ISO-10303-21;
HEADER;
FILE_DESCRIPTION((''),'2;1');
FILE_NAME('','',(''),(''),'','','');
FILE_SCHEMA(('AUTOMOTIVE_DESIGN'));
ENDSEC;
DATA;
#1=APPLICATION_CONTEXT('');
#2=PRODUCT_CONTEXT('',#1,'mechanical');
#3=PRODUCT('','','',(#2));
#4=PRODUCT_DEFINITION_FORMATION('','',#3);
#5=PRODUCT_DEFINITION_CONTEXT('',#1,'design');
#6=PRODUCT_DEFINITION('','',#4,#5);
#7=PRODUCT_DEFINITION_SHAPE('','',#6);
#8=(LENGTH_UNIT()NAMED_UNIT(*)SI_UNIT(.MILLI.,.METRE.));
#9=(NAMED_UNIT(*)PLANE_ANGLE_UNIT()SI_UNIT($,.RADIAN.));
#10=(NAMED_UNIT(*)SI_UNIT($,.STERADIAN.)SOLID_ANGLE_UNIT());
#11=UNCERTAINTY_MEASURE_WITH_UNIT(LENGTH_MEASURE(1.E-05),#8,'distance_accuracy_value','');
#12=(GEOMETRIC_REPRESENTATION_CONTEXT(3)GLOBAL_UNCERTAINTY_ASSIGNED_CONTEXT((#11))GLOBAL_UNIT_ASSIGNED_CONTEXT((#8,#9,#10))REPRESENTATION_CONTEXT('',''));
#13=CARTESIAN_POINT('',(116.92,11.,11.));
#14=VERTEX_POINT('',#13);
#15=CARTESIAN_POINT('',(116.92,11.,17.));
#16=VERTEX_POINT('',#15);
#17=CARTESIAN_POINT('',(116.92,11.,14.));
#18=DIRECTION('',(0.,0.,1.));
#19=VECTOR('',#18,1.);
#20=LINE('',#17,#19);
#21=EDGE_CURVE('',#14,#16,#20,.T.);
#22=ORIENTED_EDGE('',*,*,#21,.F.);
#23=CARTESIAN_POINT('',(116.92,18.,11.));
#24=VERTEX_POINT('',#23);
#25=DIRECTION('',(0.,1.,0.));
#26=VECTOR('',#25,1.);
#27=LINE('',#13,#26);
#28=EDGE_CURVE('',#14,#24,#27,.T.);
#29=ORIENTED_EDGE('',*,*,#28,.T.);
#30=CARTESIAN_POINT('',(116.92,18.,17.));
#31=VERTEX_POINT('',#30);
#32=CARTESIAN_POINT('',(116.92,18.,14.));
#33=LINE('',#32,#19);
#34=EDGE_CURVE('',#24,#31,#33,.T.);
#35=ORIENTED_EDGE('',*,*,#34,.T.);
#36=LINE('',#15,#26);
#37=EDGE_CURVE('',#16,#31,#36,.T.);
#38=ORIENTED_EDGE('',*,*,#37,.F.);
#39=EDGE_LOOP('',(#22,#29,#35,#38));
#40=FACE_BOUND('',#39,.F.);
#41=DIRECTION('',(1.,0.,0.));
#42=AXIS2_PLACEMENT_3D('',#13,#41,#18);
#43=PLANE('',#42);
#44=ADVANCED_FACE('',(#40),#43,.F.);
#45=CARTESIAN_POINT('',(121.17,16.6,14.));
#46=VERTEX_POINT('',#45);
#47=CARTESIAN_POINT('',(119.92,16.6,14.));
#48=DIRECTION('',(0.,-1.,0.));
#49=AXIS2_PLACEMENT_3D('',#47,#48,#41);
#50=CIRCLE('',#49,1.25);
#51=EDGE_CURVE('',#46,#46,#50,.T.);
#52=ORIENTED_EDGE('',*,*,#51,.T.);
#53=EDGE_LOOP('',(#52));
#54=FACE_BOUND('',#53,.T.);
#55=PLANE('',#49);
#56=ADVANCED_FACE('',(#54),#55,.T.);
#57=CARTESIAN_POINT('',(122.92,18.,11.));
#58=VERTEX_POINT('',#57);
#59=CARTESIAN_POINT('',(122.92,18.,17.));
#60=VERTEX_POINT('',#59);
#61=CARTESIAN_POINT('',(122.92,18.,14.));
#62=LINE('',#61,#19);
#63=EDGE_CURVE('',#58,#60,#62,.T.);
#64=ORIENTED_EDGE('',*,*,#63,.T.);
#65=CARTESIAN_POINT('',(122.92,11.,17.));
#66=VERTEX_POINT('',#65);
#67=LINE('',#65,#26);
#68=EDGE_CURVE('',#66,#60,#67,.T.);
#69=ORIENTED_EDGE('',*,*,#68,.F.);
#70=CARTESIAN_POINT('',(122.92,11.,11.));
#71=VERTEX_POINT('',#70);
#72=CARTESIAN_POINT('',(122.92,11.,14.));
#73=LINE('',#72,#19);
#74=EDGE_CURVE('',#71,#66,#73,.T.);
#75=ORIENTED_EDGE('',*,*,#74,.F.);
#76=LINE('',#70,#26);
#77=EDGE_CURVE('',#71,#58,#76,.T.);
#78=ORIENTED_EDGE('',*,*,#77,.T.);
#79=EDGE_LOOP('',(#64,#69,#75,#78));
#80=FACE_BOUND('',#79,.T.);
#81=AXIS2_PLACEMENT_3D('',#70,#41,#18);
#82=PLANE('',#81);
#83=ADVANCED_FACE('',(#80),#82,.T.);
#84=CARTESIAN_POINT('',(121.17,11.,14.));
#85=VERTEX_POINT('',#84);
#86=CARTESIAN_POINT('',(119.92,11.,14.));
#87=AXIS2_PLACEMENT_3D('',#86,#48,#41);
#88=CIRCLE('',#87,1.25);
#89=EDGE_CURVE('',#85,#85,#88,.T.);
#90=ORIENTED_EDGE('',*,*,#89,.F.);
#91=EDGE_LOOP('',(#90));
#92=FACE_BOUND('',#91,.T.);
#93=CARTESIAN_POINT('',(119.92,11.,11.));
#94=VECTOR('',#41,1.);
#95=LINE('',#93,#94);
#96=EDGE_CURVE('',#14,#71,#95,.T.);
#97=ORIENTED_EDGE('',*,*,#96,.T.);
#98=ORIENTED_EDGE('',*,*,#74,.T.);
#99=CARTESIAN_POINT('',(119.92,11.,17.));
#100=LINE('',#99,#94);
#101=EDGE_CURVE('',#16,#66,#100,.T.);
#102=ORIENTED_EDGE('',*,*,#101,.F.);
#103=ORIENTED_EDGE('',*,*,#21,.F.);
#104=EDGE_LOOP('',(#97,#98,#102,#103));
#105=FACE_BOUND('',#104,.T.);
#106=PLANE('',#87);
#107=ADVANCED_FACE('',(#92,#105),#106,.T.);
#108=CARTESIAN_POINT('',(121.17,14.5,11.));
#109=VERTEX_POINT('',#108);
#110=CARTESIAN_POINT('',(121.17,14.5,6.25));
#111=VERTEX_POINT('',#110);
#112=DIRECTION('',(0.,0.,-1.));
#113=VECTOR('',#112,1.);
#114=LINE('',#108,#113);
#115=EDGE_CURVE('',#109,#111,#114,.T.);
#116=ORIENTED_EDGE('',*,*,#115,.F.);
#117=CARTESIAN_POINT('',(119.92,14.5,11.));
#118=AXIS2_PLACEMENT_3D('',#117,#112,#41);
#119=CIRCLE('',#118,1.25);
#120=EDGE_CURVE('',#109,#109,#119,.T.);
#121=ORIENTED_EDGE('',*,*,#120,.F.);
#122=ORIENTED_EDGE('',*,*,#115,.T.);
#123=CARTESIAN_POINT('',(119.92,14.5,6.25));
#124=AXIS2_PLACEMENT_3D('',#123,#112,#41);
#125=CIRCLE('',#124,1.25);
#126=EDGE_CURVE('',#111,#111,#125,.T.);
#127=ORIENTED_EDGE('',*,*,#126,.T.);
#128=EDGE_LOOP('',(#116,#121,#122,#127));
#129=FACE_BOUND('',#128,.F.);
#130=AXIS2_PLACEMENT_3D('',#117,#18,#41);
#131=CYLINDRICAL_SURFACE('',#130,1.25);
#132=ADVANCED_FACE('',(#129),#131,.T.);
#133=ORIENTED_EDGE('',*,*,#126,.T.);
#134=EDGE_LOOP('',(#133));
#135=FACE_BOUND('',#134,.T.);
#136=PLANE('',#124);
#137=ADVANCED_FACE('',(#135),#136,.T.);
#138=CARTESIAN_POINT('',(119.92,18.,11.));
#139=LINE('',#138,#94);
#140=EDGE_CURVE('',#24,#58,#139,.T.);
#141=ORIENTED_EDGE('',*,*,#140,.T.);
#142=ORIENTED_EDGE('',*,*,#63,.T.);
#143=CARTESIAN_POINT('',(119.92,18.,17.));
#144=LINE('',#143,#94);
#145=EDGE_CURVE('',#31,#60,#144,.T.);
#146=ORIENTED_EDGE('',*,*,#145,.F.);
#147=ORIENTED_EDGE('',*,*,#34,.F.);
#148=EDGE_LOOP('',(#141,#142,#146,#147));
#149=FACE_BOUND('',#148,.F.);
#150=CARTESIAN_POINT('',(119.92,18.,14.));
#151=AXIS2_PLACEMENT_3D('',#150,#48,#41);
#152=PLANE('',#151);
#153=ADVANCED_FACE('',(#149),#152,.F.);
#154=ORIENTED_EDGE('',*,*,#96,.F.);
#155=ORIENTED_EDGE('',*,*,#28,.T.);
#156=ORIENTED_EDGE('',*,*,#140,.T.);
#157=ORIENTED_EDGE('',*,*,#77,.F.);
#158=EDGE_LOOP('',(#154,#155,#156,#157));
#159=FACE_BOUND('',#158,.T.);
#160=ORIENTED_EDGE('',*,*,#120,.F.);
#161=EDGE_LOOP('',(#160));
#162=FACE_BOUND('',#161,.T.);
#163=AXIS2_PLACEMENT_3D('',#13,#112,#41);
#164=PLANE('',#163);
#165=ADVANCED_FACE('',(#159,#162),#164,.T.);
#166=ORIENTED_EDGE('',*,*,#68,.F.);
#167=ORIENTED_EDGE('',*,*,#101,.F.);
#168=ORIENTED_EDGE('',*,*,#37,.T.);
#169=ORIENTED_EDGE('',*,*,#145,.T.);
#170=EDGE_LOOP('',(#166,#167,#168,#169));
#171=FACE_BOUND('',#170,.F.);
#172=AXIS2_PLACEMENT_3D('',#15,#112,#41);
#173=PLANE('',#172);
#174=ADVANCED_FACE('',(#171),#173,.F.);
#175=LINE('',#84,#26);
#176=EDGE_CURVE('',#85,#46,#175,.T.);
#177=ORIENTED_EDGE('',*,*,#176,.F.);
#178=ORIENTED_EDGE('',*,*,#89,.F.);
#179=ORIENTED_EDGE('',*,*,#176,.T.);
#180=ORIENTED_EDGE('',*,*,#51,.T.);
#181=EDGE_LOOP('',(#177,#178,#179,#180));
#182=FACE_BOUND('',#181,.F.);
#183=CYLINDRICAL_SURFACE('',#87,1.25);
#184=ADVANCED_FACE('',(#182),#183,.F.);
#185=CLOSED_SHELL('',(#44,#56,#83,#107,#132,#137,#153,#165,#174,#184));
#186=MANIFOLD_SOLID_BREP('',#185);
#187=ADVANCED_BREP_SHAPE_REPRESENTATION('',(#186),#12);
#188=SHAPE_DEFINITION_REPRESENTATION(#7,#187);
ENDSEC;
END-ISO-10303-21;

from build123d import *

# Parameters (mm, degrees)
SKETCH044_W     = 6
SKETCH044_H     = 6
PAD022_DEPTH    = 7
SKETCH046_R     = 1.25
POCKET013_DEPTH = 5.6
SKETCH047_R     = 1.25
PAD024_DEPTH    = 4.75


with BuildPart() as part:
    # Sketch044 → Pad022 (new body)
    with BuildSketch(Plane(origin=(-25.08, 0, 0), x_dir=(1, 0, 0), z_dir=(0, -1, 0))):
        with Locations((145, 14)):
            Rectangle(SKETCH044_W, SKETCH044_H)
    extrude(amount=-PAD022_DEPTH)

    # Sketch046 (on Face5 of Pad022) → Pocket013 (cut)
    with BuildSketch(Plane.XZ):
        with Locations((119.92, 14)):
            Circle(SKETCH046_R)
    extrude(amount=-POCKET013_DEPTH, mode=Mode.SUBTRACT)

    # Sketch047 → Pad024 (join)
    with BuildSketch(Plane(origin=(0, 0, 11), x_dir=(1, 0, 0), z_dir=(0, 0, -1))):
        with Locations((119.92, -3.5)):
            Circle(SKETCH047_R)
    extrude(amount=PAD024_DEPTH)


with BuildPart() as part_1:
    # Body009 placement: moved
    add(part.part.moved(Location((0, 11, 0))))


solid = part_1.part
